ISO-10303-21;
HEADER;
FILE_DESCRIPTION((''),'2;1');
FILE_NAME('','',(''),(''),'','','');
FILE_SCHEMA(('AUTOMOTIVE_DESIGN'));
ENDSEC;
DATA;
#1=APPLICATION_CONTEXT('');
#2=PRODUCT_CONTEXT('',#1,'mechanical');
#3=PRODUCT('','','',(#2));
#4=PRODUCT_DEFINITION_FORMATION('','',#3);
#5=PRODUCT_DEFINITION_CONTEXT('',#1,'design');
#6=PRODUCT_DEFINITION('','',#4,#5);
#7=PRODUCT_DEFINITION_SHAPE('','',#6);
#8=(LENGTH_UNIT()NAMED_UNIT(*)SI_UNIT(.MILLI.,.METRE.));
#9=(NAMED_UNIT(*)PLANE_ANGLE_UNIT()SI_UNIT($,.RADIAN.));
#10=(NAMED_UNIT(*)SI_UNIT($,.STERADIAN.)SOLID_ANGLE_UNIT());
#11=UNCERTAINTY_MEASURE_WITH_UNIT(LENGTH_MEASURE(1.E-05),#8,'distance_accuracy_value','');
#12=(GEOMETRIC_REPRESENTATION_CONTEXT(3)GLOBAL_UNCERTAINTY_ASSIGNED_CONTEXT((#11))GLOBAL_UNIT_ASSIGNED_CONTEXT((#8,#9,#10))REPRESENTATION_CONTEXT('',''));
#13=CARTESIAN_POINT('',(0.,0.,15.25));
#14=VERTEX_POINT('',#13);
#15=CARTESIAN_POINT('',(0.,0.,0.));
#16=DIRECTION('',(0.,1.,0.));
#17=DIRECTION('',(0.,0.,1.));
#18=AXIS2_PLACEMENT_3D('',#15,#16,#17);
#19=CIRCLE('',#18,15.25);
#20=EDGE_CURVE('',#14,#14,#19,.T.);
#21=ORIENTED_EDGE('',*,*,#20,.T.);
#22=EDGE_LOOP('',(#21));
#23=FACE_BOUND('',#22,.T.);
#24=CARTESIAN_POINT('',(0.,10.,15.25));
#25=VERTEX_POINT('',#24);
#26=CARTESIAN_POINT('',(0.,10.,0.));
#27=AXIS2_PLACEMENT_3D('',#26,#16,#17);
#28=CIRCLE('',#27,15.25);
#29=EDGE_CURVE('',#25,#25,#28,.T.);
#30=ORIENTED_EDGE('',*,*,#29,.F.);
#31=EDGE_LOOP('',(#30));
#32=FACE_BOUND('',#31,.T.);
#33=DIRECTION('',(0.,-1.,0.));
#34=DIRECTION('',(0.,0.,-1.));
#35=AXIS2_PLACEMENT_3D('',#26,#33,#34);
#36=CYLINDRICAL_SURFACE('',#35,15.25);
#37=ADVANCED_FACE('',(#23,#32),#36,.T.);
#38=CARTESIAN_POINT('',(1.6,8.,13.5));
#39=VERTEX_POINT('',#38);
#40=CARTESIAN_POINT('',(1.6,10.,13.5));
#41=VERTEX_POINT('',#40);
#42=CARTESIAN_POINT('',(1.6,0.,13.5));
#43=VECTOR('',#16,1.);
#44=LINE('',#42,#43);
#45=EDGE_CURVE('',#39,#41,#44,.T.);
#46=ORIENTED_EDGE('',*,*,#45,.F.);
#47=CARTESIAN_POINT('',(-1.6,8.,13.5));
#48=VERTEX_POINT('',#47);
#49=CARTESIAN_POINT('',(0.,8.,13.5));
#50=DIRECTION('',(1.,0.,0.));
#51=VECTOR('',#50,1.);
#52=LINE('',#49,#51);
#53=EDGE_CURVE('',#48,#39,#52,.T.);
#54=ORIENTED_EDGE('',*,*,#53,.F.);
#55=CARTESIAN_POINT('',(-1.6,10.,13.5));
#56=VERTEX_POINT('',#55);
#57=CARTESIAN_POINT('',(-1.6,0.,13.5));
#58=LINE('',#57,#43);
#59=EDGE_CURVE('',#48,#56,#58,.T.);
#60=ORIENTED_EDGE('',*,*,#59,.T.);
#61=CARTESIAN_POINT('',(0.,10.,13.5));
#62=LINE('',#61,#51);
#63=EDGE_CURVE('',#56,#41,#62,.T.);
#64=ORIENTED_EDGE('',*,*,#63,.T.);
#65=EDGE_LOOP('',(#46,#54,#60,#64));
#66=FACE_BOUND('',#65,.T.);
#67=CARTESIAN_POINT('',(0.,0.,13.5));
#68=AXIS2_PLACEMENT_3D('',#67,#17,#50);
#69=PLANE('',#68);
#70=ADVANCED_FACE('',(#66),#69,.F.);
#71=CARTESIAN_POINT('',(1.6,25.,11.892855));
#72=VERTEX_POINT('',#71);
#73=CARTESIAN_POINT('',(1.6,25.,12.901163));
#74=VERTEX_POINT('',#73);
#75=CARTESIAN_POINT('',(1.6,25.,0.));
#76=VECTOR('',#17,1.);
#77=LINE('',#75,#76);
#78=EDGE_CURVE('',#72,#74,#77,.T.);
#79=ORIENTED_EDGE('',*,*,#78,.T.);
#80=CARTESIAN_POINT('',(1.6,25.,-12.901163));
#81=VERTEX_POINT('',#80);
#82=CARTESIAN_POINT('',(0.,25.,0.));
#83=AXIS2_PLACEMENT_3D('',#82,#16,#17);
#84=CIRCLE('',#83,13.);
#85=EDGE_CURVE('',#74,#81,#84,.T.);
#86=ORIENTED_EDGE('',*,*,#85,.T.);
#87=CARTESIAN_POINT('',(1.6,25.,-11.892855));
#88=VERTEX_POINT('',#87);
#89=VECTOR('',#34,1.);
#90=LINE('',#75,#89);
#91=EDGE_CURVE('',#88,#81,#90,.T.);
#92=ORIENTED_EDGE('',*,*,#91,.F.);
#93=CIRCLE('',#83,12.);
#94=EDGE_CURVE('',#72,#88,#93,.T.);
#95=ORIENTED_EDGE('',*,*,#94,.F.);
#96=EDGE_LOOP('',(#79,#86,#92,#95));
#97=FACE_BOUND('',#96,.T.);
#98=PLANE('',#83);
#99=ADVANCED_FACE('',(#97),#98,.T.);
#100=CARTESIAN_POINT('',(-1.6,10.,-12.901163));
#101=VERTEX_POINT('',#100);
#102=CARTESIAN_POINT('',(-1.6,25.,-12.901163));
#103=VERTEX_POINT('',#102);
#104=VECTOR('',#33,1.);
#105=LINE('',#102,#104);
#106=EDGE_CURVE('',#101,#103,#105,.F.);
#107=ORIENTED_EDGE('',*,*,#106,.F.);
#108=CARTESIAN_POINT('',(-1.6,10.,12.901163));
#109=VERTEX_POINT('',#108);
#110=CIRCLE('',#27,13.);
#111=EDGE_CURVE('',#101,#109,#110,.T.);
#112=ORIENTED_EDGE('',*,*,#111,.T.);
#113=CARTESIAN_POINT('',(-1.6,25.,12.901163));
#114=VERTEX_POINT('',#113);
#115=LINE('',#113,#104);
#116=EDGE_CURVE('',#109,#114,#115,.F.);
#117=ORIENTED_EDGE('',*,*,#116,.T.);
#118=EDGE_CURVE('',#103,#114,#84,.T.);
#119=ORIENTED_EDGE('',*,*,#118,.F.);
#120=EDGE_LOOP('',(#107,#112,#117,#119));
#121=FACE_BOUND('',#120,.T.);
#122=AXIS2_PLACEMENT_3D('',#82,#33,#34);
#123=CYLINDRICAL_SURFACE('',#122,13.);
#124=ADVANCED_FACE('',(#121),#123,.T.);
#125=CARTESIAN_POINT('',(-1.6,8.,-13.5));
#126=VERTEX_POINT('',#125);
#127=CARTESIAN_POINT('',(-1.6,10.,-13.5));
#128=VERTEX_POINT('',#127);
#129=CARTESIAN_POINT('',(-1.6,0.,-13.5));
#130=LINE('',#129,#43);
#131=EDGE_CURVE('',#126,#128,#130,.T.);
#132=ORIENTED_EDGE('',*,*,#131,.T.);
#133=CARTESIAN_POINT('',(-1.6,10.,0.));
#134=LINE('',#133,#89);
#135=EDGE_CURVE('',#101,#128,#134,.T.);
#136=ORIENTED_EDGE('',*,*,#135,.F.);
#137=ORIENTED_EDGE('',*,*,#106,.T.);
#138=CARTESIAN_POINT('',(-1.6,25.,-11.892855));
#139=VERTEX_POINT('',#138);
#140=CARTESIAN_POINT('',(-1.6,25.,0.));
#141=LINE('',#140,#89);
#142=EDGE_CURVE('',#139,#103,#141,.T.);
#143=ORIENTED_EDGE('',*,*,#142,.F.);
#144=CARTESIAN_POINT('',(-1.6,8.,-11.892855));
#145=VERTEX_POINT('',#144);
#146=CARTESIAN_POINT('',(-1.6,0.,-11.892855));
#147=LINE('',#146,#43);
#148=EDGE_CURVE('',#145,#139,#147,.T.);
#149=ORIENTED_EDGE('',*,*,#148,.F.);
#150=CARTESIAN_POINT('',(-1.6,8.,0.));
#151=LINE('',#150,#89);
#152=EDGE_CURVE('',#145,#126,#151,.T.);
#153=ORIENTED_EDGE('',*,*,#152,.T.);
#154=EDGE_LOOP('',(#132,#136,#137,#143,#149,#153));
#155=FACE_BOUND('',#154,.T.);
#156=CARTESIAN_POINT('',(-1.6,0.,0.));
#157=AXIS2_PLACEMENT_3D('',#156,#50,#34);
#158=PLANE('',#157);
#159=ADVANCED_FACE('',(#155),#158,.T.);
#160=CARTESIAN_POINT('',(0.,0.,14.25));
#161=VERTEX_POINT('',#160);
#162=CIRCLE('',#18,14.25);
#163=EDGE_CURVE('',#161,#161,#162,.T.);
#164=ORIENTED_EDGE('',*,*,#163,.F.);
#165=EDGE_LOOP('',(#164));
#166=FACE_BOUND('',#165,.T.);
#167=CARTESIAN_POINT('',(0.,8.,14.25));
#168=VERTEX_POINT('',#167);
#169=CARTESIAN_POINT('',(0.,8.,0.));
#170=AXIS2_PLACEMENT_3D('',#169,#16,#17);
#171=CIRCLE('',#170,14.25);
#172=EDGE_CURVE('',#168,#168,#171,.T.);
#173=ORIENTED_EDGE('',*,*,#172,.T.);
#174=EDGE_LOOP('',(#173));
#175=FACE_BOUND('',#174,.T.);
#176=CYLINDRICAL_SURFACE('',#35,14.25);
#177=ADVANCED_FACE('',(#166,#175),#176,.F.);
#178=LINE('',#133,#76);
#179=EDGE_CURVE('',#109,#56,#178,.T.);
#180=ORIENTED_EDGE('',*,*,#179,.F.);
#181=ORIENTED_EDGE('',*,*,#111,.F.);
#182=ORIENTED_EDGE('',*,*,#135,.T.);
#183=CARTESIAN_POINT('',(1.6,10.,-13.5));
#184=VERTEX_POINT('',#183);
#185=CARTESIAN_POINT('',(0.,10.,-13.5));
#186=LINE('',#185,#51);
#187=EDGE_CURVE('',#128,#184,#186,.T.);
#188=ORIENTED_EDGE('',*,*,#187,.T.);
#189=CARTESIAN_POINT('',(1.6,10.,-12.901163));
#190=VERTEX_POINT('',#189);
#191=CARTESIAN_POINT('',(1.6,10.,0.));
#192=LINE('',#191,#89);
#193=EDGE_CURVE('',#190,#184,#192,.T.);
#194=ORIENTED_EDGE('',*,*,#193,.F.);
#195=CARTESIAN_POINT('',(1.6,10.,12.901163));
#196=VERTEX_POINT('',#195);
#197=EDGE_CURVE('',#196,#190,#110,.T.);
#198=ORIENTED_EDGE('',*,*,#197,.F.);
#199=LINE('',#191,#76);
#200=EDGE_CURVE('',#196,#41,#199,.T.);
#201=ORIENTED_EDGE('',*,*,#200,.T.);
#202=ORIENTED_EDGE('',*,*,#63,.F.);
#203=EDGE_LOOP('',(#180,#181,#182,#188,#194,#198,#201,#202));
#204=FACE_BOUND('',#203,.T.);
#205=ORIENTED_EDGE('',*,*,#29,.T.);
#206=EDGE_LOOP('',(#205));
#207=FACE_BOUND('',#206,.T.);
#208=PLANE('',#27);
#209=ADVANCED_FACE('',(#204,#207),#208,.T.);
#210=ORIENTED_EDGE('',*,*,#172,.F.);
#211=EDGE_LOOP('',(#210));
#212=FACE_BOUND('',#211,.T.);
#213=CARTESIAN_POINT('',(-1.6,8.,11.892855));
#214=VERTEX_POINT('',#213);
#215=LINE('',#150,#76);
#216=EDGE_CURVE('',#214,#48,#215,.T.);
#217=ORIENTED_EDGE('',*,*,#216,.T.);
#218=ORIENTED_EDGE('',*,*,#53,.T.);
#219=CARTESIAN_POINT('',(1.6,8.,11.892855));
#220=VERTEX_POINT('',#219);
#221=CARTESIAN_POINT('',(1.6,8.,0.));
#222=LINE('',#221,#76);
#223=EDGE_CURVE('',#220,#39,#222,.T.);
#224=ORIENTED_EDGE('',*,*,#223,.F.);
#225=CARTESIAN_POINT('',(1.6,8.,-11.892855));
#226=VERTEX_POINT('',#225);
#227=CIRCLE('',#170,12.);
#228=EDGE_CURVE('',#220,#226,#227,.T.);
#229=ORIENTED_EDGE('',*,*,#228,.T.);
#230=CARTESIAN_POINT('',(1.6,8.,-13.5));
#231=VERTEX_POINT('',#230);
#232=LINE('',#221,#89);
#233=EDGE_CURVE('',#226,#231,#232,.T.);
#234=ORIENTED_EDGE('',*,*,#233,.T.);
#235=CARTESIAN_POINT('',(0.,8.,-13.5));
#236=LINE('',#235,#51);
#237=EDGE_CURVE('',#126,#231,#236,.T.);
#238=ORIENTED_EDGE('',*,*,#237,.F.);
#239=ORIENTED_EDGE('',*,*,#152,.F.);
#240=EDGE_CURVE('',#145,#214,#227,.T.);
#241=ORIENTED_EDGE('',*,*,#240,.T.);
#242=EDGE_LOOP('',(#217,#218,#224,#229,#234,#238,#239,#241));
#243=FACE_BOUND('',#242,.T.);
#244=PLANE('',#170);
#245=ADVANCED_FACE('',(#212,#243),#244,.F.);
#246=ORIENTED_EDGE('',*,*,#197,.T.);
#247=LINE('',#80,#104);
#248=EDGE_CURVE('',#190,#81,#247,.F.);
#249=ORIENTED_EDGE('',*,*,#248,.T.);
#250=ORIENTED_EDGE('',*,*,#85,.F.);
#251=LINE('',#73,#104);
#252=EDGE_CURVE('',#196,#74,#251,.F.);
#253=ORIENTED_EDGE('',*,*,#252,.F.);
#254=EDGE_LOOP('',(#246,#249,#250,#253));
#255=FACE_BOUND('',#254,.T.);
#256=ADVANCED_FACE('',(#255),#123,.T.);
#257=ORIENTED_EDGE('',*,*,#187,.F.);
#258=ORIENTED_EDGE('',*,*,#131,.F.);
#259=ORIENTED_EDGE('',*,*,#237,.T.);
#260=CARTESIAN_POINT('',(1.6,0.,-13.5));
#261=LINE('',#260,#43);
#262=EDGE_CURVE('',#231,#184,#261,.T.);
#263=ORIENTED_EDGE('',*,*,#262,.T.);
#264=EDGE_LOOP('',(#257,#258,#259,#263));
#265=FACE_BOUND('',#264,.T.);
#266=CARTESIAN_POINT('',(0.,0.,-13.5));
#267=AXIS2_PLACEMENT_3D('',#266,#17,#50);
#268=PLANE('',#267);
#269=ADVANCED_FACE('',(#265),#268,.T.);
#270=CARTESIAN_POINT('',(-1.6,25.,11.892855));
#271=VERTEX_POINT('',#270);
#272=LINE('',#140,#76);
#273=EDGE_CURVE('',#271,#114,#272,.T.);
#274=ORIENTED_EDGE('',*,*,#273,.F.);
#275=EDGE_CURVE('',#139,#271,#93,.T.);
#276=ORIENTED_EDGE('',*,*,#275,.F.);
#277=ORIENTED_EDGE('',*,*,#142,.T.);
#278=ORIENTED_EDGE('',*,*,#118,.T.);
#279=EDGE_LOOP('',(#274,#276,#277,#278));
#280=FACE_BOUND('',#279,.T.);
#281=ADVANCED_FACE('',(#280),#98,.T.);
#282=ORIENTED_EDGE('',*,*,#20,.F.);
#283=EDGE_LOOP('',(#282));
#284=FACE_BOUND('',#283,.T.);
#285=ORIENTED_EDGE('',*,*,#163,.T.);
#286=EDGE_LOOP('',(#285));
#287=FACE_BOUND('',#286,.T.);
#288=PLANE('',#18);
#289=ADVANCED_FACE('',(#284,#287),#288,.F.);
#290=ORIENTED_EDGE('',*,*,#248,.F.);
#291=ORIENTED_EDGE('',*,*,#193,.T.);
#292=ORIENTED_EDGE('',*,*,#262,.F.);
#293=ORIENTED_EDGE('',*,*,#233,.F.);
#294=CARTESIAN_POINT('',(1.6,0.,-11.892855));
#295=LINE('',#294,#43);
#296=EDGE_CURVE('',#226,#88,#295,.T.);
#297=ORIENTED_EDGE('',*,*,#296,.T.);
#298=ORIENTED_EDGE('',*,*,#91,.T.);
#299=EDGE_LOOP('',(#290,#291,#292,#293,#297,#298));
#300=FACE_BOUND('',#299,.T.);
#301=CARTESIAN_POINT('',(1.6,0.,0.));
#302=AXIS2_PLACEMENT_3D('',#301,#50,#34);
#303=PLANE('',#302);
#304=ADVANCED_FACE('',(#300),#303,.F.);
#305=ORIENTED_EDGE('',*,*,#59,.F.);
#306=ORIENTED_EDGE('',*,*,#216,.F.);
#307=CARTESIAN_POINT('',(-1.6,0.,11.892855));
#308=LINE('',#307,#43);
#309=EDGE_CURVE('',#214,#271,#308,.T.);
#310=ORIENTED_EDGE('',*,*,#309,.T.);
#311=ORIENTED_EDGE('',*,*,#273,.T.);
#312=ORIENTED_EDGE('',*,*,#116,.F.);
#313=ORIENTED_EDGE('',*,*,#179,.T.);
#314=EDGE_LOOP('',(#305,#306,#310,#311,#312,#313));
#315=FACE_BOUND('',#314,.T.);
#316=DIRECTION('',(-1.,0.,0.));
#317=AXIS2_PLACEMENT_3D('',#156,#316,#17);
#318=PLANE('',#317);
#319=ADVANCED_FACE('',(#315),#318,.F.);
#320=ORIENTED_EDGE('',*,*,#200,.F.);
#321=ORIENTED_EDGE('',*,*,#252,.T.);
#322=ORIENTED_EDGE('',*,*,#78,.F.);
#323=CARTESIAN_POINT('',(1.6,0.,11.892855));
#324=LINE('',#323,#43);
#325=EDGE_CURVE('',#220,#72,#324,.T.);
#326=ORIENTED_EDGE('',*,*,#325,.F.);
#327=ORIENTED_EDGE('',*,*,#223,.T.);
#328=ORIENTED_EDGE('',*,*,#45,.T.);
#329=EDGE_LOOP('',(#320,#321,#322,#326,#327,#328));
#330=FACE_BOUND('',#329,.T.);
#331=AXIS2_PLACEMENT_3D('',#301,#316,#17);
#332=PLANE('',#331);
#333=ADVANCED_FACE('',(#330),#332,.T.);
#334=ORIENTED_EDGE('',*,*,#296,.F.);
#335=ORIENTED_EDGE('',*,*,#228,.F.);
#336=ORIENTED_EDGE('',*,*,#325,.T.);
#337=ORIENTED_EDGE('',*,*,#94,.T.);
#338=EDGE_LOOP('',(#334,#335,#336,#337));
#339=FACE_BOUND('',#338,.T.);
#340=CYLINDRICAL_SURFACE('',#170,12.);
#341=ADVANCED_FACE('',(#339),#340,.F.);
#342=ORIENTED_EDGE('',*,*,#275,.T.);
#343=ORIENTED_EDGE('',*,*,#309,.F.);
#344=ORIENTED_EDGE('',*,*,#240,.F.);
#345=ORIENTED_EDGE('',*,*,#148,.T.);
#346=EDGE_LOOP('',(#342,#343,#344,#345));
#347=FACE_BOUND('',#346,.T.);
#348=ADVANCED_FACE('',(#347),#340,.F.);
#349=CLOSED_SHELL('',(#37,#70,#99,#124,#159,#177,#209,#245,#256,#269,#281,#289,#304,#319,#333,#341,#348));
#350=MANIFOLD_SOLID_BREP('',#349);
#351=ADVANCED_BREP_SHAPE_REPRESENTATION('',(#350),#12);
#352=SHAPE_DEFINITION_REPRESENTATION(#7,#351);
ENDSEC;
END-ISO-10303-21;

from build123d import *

# Parameters (mm, degrees)
SKETCH2_R           = 15.25
SKETCH2_R_2         = 14.25
BOSS_EXTRUDE1_DEPTH = 10
BOSS_EXTRUDE2_START = -2
SKETCH4_R           = 14.25
BOSS_EXTRUDE2_DEPTH = 2
SKETCH5_R           = 12
CUT_EXTRUDE1_DEPTH  = 2
BOSS_EXTRUDE4_START = 15
SKETCH6_R           = 13
SKETCH6_R_2         = 12
BOSS_EXTRUDE4_DEPTH = 15
CUT_EXTRUDE3_DEPTH  = 34.017041055


with BuildPart() as part:
    # Sketch2 → Boss-Extrude1 (new body)
    with BuildSketch(Plane(origin=(0, 0, 0), x_dir=(1, 0, 0), z_dir=(0, 1, 0))):
        with Locations(Location((0, 0, 0), (0, 0, 270))):
            Circle(SKETCH2_R)
        with Locations(Location((0, 0, 0), (0, 0, 270))):
            Circle(SKETCH2_R_2, mode=Mode.SUBTRACT)
    extrude(amount=BOSS_EXTRUDE1_DEPTH)

    # Sketch4 → Boss-Extrude2 (add)
    with BuildSketch(Plane(origin=(0, 10, 0), x_dir=(1, 0, 0), z_dir=(0, 1, 0)).offset(BOSS_EXTRUDE2_START)):
        with Locations(Location((0, 0, 0), (0, 0, 270))):
            Circle(SKETCH4_R)
    extrude(amount=BOSS_EXTRUDE2_DEPTH)

    # Sketch5 → Cut-Extrude1 (cut)
    with BuildSketch(Plane(origin=(0, 10, 0), x_dir=(1, 0, 0), z_dir=(0, 1, 0))):
        with Locations(Location((0, 0, 0), (0, 0, 270))):
            Circle(SKETCH5_R)
    extrude(amount=-CUT_EXTRUDE1_DEPTH, mode=Mode.SUBTRACT)

    # Sketch6 → Boss-Extrude4 (add)
    with BuildSketch(Plane(origin=(0, 10, 0), x_dir=(1, 0, 0), z_dir=(0, 1, 0)).offset(BOSS_EXTRUDE4_START)):
        with Locations(Location((0, 0, 0), (0, 0, 270))):
            Circle(SKETCH6_R)
        with Locations(Location((0, 0, 0), (0, 0, 270))):
            Circle(SKETCH6_R_2, mode=Mode.SUBTRACT)
    extrude(amount=-BOSS_EXTRUDE4_DEPTH)

    # Sketch7 → Cut-Extrude3 (cut, through all)
    with BuildSketch(Plane(origin=(0, 25, 0), x_dir=(1, 0, 0), z_dir=(0, 1, 0))):
        with BuildLine():
            ThreePointArc((-1.6, 12.901162738), (0, 13), (1.6, 12.901162738))
            Line((1.6, 12.901162738), (1.6, 13.5))
            Line((1.6, 13.5), (-1.6, 13.5))
            Line((-1.6, 13.5), (-1.6, 12.901162738))
        make_face()
        with BuildLine():
            ThreePointArc((-1.6, 11.892854998), (0, 12), (1.6, 11.892854998))
            Line((1.6, 11.892854998), (1.6, 12.901162738))
            ThreePointArc((1.6, 12.901162738), (0, 13), (-1.6, 12.901162738))
            Line((-1.6, 12.901162738), (-1.6, 11.892854998))
        make_face()
        with BuildLine():
            ThreePointArc((1.6, -12.901162738), (0.801524922, -12.975267157), (0, -13))
            Line((0, -13), (0, -13.5))
            Line((0, -13.5), (1.6, -13.5))
            Line((1.6, -13.5), (1.6, -12.901162738))
        make_face()
        with BuildLine():
            Line((0, -13.5), (0, -13))
            ThreePointArc((0, -13), (-0.801524922, -12.975267157), (-1.6, -12.901162738))
            Line((-1.6, -12.901162738), (-1.6, -13.5))
            Line((-1.6, -13.5), (0, -13.5))
        make_face()
        with BuildLine():
            Line((0, -13), (0, -12))
            ThreePointArc((0, -12), (-0.801791752, -11.973183787), (-1.6, -11.892854998))
            Line((-1.6, -11.892854998), (-1.6, -12.901162738))
            ThreePointArc((-1.6, -12.901162738), (-0.801524922, -12.975267157), (0, -13))
        make_face()
        with BuildLine():
            ThreePointArc((1.6, -11.892854998), (0.801791752, -11.973183787), (0, -12))
            Line((0, -12), (0, -13))
            ThreePointArc((0, -13), (0.801524922, -12.975267157), (1.6, -12.901162738))
            Line((1.6, -12.901162738), (1.6, -11.892854998))
        make_face()
    extrude(amount=-CUT_EXTRUDE3_DEPTH, mode=Mode.SUBTRACT)


solid = part.part
